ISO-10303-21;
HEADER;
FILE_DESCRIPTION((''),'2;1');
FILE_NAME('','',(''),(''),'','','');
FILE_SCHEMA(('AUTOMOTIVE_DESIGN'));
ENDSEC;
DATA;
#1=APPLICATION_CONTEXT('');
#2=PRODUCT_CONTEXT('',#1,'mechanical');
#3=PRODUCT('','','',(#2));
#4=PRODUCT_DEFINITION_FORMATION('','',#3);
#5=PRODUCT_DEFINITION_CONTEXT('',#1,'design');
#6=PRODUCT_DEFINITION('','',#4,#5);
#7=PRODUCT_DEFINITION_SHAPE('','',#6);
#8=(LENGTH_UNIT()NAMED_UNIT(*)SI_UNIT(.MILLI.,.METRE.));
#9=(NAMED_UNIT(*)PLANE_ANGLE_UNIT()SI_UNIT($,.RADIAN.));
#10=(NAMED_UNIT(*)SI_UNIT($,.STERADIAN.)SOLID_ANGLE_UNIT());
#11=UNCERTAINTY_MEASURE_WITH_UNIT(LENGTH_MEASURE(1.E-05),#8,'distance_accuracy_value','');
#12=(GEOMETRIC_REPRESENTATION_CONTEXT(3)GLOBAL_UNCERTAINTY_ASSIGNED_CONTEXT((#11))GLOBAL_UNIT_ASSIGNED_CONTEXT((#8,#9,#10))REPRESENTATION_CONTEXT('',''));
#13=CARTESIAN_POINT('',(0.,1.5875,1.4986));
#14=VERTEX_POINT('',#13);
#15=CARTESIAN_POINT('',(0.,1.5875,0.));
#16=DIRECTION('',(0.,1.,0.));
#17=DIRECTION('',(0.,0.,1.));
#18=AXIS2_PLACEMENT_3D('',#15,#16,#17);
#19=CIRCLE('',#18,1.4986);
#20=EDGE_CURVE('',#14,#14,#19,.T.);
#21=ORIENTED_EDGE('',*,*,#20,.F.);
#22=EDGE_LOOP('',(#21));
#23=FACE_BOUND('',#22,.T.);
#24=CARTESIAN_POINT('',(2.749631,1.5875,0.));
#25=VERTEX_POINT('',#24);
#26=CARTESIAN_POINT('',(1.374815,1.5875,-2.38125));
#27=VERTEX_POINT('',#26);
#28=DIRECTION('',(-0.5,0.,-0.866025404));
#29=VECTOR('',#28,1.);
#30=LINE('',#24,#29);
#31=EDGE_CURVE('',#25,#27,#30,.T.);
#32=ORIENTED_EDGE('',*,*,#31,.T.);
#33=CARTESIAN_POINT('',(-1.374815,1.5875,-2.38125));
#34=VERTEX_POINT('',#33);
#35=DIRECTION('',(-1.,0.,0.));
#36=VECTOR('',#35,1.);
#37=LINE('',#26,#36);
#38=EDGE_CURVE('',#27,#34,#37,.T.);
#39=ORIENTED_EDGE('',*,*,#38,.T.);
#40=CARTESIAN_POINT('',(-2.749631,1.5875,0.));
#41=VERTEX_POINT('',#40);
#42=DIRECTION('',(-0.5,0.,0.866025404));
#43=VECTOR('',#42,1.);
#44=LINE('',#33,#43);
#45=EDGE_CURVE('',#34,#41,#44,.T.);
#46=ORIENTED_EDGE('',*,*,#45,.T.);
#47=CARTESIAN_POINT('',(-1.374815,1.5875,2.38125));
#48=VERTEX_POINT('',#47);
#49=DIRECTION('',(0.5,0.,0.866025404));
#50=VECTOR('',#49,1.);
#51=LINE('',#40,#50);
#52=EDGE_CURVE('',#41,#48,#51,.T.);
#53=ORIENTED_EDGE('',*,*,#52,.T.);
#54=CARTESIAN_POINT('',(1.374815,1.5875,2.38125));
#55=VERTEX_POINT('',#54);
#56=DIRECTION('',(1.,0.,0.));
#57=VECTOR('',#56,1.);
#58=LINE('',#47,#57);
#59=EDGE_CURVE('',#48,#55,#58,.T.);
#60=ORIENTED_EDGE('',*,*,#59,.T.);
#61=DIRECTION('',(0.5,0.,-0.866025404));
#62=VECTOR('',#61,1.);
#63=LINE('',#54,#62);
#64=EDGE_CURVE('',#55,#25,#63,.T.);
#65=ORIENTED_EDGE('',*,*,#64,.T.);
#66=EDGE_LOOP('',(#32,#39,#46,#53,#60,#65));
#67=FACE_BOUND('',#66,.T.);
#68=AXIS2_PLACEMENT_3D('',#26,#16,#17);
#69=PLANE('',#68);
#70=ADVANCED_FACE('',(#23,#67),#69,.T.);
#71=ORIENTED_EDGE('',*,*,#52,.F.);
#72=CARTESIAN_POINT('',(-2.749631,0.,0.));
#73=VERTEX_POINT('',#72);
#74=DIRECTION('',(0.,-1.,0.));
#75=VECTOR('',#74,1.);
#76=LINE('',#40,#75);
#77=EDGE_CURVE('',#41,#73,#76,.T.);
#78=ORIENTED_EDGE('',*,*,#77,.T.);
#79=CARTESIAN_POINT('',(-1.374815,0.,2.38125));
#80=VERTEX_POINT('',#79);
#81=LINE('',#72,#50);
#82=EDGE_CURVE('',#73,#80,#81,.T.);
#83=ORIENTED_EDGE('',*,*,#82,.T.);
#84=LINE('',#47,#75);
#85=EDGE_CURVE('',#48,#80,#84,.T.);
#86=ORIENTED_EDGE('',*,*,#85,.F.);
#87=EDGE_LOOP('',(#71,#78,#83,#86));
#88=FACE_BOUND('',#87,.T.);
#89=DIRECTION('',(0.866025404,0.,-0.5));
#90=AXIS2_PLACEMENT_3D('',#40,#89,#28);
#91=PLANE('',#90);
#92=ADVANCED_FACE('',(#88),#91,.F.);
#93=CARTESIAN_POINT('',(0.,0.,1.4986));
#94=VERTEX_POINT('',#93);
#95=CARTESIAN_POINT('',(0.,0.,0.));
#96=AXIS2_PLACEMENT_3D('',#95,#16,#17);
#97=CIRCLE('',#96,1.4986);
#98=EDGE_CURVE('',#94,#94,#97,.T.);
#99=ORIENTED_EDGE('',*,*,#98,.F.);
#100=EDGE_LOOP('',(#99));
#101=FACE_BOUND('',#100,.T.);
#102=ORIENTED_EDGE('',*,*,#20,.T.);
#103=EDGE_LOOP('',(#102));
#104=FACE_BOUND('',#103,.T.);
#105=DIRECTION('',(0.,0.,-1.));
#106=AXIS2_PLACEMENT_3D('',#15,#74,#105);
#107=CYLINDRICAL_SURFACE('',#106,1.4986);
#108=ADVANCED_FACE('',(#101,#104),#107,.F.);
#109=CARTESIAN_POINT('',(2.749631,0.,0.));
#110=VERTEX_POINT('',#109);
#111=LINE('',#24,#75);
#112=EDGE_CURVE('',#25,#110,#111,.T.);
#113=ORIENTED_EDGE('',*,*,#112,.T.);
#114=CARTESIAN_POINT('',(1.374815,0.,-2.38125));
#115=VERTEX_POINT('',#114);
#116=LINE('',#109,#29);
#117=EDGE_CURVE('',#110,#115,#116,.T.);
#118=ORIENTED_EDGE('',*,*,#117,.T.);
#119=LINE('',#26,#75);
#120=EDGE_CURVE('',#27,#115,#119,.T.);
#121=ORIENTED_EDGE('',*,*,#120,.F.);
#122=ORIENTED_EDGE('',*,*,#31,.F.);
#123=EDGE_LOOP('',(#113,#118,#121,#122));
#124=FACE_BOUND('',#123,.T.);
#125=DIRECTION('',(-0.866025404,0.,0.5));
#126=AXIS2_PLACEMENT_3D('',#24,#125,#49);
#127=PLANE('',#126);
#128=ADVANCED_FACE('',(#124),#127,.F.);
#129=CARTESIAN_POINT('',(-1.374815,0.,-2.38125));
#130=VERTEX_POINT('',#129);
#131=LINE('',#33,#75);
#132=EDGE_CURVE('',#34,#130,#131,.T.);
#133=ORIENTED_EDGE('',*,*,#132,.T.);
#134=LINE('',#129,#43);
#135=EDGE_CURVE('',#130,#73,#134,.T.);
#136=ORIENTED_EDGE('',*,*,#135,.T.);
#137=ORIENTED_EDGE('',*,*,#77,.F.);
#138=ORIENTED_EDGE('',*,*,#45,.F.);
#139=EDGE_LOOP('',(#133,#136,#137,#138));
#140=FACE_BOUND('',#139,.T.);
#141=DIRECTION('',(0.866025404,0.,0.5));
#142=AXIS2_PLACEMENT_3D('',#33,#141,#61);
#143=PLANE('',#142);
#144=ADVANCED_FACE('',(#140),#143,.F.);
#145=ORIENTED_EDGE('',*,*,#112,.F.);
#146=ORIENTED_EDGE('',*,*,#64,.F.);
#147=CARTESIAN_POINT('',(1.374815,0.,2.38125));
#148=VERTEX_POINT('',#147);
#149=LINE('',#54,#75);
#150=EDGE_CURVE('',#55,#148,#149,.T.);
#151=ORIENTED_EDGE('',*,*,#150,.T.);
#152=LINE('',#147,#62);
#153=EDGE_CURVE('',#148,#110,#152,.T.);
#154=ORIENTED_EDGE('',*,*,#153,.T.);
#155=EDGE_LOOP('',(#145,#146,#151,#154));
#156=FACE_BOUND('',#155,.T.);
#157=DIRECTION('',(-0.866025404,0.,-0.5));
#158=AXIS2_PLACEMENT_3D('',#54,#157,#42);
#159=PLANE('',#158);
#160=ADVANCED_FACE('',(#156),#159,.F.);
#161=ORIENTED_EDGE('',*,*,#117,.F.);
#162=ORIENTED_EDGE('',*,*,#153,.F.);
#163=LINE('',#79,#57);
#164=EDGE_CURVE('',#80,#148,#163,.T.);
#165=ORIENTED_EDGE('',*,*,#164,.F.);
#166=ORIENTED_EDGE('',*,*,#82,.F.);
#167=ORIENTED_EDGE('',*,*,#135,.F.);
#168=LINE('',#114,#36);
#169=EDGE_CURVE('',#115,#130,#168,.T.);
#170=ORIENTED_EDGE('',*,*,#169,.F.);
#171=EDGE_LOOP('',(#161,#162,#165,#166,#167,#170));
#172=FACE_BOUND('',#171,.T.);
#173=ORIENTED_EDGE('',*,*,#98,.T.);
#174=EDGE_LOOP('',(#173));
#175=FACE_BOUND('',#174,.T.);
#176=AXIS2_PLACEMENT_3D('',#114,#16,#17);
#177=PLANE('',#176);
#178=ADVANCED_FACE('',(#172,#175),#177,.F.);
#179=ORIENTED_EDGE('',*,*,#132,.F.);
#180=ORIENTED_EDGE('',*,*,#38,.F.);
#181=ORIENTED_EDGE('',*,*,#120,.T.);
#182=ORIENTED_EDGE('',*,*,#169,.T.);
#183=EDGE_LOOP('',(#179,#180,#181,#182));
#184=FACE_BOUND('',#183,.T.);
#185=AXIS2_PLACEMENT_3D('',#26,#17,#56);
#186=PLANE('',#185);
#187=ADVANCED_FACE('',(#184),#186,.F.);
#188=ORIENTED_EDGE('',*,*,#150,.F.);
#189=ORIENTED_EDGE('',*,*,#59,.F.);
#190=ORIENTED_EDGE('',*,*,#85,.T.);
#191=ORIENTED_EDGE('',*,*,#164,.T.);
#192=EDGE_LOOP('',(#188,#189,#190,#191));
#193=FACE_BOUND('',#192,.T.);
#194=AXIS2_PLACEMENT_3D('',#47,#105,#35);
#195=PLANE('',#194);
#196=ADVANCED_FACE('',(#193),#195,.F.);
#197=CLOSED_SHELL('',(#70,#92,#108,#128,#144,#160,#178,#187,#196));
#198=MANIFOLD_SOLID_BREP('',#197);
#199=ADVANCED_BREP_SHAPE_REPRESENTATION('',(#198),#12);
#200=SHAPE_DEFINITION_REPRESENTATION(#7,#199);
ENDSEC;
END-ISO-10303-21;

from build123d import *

# Parameters (mm, degrees)
SKETCH1_R           = 1.4986
BOSS_EXTRUDE1_DEPTH = 1.5875


with BuildPart() as part:
    # Sketch1 → Boss-Extrude1 (new body)
    with BuildSketch(Plane(origin=(0, 0, 0), x_dir=(1, 0, 0), z_dir=(0, 1, 0))):
        Polygon((1.374815329, 2.38125), (-1.374815329, 2.38125), (-2.749630657, 0), (-1.374815329, -2.38125), (1.374815329, -2.38125), (2.749630657, 0), align=None)
        Circle(SKETCH1_R, mode=Mode.SUBTRACT)
    extrude(amount=BOSS_EXTRUDE1_DEPTH)


solid = part.part
